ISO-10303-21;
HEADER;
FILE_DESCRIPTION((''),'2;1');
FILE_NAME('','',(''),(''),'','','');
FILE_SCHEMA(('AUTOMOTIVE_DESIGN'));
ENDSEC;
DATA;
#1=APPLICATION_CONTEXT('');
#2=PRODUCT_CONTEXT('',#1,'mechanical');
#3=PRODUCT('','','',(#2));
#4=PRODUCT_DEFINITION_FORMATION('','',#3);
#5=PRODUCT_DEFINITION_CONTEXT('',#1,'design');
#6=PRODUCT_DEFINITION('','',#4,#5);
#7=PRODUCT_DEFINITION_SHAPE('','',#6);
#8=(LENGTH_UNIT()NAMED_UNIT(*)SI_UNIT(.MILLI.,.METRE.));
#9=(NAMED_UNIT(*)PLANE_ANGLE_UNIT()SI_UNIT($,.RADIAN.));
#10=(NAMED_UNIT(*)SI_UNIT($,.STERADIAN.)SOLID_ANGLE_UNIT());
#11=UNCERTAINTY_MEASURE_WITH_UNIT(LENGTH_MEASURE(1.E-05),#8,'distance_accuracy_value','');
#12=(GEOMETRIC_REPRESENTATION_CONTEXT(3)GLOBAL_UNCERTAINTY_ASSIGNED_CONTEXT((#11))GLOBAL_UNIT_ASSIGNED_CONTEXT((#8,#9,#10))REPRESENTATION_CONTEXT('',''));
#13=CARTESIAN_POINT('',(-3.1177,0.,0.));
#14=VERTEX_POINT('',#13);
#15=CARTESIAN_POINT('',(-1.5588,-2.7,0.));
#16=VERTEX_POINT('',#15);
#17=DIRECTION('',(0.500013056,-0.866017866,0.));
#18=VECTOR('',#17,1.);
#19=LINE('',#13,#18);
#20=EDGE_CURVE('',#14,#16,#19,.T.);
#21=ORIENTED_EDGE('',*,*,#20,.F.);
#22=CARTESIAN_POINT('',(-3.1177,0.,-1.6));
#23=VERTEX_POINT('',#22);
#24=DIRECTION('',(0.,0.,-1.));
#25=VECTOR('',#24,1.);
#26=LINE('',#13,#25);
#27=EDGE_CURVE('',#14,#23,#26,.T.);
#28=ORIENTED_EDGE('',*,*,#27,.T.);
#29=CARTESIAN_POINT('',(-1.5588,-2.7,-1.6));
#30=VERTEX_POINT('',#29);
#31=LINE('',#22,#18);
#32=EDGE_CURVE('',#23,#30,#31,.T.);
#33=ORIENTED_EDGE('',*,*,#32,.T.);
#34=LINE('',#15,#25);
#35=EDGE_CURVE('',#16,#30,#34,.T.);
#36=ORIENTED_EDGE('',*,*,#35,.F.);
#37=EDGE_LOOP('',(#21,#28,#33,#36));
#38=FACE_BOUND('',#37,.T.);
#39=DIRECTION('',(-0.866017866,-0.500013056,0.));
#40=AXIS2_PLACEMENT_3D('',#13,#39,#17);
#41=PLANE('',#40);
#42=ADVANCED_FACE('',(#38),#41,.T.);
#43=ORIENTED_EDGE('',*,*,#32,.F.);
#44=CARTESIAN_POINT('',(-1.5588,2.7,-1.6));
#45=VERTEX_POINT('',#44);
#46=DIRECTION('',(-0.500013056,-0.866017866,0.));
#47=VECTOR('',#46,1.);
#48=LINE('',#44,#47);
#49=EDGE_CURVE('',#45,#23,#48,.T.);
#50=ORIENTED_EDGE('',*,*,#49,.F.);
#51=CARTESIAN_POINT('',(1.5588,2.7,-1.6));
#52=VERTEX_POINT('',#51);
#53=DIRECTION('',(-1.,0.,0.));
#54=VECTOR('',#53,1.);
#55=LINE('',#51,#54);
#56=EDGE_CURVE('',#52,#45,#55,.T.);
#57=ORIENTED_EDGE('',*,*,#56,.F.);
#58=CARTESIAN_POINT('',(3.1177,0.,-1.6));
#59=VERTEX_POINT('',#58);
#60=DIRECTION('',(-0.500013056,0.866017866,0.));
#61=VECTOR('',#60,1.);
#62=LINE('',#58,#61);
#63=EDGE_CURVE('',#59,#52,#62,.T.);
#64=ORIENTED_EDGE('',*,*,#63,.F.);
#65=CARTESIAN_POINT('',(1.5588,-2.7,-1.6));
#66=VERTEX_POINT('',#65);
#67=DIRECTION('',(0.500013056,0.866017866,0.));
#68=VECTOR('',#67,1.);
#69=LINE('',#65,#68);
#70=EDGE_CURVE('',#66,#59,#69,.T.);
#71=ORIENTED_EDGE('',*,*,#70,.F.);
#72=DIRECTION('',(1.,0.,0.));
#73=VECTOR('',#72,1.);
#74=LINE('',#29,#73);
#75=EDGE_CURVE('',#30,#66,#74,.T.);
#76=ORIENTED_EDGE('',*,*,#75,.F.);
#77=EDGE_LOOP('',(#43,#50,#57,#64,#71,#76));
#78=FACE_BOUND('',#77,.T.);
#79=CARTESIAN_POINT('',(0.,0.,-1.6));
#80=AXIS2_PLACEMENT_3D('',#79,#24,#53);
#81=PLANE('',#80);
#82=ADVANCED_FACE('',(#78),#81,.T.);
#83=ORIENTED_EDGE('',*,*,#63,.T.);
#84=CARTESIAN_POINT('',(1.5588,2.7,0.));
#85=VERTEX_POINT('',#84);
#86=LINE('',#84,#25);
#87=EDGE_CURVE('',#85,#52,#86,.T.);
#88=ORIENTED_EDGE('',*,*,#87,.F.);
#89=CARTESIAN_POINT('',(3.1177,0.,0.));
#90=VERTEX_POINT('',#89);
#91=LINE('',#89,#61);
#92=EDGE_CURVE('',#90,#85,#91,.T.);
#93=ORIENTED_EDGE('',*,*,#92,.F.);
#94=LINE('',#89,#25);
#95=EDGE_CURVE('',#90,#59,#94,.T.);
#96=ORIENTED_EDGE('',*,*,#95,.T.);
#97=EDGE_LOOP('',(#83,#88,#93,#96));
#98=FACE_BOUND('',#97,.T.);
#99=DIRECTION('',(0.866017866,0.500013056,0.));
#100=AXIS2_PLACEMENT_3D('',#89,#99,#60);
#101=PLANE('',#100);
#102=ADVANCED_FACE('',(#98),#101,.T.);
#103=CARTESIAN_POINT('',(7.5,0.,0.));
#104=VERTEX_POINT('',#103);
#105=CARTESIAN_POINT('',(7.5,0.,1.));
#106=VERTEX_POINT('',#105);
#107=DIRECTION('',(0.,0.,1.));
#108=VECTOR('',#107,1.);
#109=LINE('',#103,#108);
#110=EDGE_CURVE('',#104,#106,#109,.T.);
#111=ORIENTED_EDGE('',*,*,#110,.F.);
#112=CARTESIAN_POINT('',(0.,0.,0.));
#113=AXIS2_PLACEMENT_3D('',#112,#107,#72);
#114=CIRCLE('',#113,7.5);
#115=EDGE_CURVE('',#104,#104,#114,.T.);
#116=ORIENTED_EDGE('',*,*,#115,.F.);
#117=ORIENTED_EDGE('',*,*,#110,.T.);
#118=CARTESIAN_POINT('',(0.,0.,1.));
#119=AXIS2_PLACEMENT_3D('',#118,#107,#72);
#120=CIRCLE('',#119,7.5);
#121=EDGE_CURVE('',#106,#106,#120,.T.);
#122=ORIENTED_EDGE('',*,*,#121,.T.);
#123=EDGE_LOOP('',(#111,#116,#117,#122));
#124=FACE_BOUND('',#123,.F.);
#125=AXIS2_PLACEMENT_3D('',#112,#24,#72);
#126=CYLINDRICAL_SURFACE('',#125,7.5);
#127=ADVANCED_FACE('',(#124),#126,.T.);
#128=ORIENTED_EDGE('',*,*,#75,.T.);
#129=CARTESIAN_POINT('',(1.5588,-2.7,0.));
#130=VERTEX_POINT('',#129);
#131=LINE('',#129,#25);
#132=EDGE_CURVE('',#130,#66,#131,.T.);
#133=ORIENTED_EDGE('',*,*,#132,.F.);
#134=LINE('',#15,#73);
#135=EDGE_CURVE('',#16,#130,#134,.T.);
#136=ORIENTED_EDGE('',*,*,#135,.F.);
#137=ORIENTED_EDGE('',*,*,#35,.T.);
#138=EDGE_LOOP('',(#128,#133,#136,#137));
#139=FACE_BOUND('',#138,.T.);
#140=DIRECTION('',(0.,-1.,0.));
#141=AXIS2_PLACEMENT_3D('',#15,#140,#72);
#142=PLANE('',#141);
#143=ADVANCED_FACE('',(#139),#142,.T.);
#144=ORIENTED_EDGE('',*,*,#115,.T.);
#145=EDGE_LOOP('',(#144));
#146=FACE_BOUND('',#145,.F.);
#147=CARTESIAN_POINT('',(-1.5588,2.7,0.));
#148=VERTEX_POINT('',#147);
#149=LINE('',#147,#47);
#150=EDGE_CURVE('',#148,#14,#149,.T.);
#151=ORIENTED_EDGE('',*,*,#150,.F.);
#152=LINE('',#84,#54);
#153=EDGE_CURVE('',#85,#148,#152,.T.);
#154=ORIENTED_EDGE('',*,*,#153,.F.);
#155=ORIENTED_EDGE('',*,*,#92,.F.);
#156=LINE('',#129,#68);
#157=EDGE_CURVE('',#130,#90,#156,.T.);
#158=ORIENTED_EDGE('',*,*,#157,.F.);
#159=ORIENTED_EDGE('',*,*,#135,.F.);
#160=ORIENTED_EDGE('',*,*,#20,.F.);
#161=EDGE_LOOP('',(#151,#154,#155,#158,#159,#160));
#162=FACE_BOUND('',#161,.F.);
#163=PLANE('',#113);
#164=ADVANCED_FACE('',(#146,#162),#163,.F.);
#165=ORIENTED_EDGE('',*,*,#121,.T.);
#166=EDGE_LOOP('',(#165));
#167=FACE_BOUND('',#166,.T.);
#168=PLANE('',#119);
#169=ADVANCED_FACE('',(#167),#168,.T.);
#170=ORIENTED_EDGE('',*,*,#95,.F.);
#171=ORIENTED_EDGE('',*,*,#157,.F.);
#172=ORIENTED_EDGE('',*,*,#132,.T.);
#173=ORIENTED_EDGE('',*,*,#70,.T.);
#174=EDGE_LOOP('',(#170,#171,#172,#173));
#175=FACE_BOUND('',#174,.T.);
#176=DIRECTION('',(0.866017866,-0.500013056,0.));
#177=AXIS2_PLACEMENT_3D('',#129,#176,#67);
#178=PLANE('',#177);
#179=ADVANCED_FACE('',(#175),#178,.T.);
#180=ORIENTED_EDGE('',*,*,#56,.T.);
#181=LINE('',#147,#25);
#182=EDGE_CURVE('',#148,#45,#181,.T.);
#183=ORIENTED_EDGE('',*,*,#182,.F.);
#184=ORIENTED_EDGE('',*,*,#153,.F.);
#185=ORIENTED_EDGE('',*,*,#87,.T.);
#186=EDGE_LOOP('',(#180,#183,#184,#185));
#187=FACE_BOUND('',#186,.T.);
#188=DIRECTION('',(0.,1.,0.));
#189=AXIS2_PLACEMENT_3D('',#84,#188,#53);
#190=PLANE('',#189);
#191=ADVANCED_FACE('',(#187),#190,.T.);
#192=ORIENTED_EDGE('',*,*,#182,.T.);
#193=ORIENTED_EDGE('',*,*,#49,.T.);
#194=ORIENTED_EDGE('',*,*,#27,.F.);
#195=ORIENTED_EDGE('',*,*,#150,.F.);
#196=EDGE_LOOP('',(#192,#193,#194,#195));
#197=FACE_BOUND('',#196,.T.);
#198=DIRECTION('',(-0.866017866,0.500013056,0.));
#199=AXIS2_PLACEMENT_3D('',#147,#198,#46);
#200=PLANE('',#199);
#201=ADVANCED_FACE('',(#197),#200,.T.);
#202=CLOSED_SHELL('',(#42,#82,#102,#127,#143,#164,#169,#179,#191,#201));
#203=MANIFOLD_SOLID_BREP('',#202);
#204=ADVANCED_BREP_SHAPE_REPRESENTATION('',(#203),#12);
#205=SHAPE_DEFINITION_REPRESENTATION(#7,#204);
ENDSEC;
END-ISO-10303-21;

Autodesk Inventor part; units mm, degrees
ref_plane "YZ Plane" through (0, 0, 0) normal (1, 0, 0) x (0, 1, 0)
ref_plane "XZ Plane" through (0, 0, 0) normal (0, 1, 0) x (-1, 0, 0)
ref_plane "XY Plane" through (0, 0, 0) normal (0, 0, 1) x (1, 0, 0)
sketch "Boceto1" plane through (0, 0, 0) normal (0, 0, 1) x (1, 0, 0)
  line L0 (-3.4064, 0) -> (-1.7032, 2.95) projected
  line L1 (-1.7032, 2.95) -> (1.7032, 2.95) projected
  line L2 (1.7032, 2.95) -> (3.4064, 0) projected
  line L3 (3.4064, 0) -> (1.7032, -2.95) projected
  line L4 (1.7032, -2.95) -> (-1.7032, -2.95) projected
  line L5 (-1.7032, -2.95) -> (-3.4064, 0) projected
  circle A0 centre (0, 0) radius 7.5 projected
extrude "Extrusión1" add sketch "Boceto1" along normal blind 1 contours L0 L1 L2 L3 L4 L5 | A0
sketch "Boceto2" plane through (0, 0, 0) normal (0, 0, -1) x (-1, 0, 0)
  circle A0 centre (0, 0) radius 7.5 projected
  circle A1 centre (0, 0) radius 1.5 projected
  line L0 (1.7032, -2.95) -> (3.4064, 0) projected
  line L1 (3.4064, 0) -> (1.7032, 2.95) projected
  line L2 (1.7032, 2.95) -> (-1.7032, 2.95) projected
  line L3 (-1.7032, 2.95) -> (-3.4064, 0) projected
  line L4 (-3.4064, 0) -> (-1.7032, -2.95) projected
  line L5 (-1.7032, -2.95) -> (1.7032, -2.95) projected
  line L6 (-1.5588, -2.7) -> (-3.1177, 0)
  line L7 (-3.1177, 0) -> (-1.5588, 2.7)
  line L8 (-1.5588, 2.7) -> (1.5588, 2.7)
  line L9 (1.5588, 2.7) -> (3.1177, 0)
  line L10 (3.1177, 0) -> (1.5588, -2.7)
  line L11 (1.5588, -2.7) -> (-1.5588, -2.7)
  dimension "d2" = 0.25
extrude "Extrusión2" add sketch "Boceto2" along normal blind 1.6 contours A1 | L6 L7 L8 L9 L10 L11
properties part number "Tapa_Cabeza_Tornillo"
